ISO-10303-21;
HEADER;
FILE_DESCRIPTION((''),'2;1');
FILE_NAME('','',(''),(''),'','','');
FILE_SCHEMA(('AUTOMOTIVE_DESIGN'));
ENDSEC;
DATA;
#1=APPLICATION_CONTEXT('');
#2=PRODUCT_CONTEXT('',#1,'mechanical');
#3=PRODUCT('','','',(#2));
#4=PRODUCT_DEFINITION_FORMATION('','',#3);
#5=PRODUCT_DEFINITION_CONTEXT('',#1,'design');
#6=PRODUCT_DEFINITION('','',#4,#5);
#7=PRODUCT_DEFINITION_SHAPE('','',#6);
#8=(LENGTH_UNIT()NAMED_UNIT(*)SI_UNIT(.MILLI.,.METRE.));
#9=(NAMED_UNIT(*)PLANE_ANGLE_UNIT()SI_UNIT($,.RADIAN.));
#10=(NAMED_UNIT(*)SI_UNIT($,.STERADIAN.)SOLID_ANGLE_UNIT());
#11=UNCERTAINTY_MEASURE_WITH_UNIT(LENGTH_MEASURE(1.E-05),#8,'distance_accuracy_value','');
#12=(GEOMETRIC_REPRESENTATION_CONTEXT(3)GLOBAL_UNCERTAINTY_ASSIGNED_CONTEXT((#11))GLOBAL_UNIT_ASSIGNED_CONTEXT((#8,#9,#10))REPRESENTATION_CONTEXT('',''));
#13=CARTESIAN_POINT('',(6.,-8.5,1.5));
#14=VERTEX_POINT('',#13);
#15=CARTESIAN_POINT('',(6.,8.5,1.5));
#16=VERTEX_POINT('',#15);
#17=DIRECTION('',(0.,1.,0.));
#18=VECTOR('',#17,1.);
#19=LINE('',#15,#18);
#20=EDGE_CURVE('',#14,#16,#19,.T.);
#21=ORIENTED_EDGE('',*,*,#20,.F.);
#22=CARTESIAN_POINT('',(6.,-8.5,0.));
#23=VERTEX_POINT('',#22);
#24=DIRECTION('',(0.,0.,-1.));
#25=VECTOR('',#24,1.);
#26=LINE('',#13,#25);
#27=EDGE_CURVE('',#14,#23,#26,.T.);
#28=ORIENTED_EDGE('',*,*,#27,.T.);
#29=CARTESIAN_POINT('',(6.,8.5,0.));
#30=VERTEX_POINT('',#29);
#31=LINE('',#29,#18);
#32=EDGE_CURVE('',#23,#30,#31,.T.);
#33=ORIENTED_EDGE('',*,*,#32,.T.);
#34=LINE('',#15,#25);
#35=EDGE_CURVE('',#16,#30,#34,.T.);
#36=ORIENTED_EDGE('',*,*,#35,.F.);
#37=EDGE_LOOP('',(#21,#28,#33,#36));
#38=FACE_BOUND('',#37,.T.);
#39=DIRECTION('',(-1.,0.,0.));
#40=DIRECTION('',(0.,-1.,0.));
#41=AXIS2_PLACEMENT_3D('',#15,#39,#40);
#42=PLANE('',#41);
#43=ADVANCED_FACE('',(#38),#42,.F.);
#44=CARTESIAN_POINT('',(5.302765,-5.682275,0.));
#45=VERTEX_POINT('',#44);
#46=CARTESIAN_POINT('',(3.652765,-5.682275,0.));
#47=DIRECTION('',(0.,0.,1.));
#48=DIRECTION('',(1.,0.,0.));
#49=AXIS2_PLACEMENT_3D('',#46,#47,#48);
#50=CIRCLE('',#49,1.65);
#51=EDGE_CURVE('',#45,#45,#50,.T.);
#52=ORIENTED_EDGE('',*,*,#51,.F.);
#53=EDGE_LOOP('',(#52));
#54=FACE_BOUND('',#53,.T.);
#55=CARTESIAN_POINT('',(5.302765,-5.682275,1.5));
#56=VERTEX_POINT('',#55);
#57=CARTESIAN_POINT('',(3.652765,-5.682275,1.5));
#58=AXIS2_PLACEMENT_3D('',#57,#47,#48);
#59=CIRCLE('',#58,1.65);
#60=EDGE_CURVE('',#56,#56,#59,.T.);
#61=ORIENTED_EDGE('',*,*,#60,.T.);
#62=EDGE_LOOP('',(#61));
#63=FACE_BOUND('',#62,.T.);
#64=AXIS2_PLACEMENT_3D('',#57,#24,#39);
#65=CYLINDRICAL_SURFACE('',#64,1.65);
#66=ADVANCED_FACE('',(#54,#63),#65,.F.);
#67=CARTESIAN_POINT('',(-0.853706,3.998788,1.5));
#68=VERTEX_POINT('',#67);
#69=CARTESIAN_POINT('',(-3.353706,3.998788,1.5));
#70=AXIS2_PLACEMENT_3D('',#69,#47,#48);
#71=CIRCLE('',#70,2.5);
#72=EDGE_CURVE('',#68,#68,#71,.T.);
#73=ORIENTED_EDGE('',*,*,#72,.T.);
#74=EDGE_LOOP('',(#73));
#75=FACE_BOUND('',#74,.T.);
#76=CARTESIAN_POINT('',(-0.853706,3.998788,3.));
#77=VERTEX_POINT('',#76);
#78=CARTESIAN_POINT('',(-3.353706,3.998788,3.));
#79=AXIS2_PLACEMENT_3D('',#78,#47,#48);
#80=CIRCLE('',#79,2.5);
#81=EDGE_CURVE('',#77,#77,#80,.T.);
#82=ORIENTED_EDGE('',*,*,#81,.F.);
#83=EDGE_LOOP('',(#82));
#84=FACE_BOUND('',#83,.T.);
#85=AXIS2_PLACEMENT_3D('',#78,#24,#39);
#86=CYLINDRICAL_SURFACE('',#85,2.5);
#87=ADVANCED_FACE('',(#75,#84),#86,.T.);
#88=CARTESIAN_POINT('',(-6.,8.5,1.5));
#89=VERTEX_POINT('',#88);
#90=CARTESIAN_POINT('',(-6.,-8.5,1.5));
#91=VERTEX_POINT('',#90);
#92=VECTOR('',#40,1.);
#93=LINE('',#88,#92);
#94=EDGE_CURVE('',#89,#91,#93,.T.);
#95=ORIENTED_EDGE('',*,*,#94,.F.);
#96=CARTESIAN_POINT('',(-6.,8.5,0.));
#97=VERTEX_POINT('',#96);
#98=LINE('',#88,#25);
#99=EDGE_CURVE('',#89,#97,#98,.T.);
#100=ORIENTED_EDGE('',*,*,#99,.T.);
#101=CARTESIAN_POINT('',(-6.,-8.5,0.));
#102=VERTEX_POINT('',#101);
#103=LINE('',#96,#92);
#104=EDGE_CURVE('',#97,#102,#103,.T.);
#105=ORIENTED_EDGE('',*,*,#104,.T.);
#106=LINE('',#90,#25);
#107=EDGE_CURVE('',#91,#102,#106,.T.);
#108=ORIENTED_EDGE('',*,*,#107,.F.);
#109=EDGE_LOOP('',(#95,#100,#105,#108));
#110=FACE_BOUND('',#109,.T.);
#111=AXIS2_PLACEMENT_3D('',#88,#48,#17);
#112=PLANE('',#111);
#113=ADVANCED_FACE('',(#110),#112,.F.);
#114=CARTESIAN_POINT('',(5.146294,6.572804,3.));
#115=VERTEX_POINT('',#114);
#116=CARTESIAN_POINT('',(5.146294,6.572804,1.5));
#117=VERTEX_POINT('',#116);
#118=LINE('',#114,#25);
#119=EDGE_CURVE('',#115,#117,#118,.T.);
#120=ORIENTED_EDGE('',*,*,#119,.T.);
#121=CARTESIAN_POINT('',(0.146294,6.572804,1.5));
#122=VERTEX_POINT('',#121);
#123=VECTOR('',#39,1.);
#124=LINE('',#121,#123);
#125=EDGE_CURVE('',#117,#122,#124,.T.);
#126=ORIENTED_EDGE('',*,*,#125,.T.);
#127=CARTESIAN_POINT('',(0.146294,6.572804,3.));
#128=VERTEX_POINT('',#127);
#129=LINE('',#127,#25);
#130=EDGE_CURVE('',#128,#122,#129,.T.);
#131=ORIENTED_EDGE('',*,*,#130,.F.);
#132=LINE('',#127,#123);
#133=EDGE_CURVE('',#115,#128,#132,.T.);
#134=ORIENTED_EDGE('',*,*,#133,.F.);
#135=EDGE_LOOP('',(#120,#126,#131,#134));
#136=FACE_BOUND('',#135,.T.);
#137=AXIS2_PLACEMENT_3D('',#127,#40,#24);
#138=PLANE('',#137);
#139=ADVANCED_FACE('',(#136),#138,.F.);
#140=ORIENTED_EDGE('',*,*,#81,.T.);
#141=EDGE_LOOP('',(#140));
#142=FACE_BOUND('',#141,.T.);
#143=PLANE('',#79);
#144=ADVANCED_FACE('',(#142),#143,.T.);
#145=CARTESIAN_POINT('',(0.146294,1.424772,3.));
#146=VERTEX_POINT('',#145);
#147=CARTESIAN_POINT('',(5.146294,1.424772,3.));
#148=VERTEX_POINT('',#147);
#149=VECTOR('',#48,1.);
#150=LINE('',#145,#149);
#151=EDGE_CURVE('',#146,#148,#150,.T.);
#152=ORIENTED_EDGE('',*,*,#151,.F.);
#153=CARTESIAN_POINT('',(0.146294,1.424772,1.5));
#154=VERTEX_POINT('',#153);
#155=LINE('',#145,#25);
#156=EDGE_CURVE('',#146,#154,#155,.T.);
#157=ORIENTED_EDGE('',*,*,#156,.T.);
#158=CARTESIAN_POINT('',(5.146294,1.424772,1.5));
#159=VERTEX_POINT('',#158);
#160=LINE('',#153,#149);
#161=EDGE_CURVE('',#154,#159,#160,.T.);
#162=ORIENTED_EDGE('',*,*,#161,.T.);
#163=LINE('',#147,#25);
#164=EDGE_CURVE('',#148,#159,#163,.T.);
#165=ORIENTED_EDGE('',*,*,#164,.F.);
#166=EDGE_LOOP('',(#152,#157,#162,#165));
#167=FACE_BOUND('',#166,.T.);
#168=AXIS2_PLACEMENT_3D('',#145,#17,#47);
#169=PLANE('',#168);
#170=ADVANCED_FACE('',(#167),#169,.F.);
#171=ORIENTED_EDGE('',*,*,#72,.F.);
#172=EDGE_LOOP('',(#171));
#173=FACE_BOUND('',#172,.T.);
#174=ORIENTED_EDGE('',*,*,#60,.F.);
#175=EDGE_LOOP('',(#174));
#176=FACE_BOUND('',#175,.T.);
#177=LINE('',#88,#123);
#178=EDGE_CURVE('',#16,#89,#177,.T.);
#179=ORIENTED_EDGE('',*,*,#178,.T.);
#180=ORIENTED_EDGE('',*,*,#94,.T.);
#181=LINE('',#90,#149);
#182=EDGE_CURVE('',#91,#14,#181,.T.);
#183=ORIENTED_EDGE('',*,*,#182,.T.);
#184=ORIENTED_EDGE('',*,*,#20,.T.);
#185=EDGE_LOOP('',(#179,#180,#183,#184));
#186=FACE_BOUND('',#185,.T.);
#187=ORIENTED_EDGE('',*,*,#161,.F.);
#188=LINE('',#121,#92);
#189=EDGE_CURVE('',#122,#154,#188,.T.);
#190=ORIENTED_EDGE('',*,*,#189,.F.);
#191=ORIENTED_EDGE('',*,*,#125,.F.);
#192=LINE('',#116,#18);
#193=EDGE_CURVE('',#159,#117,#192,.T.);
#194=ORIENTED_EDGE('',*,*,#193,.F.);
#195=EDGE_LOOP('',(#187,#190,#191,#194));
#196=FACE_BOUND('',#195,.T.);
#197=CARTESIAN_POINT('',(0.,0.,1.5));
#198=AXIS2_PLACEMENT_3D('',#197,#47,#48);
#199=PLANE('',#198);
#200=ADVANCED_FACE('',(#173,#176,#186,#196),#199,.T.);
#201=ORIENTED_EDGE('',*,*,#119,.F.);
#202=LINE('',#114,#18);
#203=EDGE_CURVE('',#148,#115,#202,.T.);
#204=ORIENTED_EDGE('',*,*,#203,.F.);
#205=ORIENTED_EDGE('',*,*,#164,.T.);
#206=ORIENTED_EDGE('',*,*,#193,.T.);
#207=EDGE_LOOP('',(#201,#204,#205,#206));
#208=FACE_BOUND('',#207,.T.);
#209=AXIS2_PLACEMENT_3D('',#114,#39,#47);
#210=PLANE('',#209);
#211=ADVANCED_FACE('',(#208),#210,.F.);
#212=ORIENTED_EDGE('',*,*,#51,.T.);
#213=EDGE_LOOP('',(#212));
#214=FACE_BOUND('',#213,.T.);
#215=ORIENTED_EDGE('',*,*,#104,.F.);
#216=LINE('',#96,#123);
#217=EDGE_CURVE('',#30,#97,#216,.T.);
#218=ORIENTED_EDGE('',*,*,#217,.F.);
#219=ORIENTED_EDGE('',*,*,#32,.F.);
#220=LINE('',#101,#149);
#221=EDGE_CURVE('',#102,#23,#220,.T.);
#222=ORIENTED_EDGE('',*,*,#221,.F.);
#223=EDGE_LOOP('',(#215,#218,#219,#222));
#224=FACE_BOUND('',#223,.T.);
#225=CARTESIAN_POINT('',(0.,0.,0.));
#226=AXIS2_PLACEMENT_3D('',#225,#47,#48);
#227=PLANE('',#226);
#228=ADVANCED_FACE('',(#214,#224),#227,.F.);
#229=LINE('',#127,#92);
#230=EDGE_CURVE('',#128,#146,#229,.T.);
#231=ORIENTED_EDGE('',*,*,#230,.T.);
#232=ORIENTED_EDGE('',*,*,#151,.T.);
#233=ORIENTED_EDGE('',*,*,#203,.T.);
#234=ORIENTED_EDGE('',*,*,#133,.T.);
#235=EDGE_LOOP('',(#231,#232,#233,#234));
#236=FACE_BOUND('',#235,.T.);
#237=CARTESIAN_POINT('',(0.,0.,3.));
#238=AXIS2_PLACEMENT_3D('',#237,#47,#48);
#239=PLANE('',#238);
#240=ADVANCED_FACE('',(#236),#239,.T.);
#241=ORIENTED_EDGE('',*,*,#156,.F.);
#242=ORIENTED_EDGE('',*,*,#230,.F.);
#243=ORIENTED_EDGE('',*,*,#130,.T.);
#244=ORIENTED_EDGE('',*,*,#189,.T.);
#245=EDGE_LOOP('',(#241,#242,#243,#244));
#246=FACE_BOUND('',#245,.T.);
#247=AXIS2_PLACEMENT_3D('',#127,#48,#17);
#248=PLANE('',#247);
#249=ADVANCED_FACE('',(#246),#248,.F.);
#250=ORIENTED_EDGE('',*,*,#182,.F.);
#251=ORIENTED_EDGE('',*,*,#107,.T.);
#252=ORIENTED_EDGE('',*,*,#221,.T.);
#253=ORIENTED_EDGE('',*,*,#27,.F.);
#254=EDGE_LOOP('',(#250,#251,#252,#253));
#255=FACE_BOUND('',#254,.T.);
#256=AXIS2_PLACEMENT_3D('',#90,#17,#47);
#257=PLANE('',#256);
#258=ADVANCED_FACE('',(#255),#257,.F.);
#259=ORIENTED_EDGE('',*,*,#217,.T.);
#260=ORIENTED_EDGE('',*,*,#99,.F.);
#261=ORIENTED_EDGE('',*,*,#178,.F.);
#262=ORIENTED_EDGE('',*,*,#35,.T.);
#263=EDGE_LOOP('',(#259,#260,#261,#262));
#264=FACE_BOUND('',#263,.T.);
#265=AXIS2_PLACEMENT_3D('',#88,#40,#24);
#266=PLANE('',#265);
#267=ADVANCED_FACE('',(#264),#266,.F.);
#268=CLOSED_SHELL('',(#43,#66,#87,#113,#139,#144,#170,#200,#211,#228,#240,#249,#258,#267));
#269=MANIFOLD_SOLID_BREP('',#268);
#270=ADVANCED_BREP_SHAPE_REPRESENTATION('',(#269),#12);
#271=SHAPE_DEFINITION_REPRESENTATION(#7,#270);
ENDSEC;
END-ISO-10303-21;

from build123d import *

# Parameters (mm, degrees)
ESBO_O1_W                = 12
ESBO_O1_H                = 17
ESBO_O1_R                = 1.65
RESSALTO_EXTRUS_O1_DEPTH = 1.5
ESBO_O2_R                = 2.5
ESBO_O2_W                = 5
ESBO_O2_H                = 5.148031572
RESSALTO_EXTRUS_O2_DEPTH = 1.5


with BuildPart() as part:
    # Esboço1 → Ressalto-extrusão1 (new body)
    with BuildSketch(Plane.XY):
        Rectangle(ESBO_O1_W, ESBO_O1_H)
        with Locations((3.652764924, -5.682274929)):
            Circle(ESBO_O1_R, mode=Mode.SUBTRACT)
    extrude(amount=RESSALTO_EXTRUS_O1_DEPTH)

    # Esboço2 → Ressalto-extrusão2 (add)
    with BuildSketch(Plane.XY.offset(1.5)):
        with Locations((-3.353706204, 3.998787781)):
            Circle(ESBO_O2_R)
        with Locations((2.646293796, 3.998787781)):
            Rectangle(ESBO_O2_W, ESBO_O2_H)
    extrude(amount=RESSALTO_EXTRUS_O2_DEPTH)


solid = part.part
